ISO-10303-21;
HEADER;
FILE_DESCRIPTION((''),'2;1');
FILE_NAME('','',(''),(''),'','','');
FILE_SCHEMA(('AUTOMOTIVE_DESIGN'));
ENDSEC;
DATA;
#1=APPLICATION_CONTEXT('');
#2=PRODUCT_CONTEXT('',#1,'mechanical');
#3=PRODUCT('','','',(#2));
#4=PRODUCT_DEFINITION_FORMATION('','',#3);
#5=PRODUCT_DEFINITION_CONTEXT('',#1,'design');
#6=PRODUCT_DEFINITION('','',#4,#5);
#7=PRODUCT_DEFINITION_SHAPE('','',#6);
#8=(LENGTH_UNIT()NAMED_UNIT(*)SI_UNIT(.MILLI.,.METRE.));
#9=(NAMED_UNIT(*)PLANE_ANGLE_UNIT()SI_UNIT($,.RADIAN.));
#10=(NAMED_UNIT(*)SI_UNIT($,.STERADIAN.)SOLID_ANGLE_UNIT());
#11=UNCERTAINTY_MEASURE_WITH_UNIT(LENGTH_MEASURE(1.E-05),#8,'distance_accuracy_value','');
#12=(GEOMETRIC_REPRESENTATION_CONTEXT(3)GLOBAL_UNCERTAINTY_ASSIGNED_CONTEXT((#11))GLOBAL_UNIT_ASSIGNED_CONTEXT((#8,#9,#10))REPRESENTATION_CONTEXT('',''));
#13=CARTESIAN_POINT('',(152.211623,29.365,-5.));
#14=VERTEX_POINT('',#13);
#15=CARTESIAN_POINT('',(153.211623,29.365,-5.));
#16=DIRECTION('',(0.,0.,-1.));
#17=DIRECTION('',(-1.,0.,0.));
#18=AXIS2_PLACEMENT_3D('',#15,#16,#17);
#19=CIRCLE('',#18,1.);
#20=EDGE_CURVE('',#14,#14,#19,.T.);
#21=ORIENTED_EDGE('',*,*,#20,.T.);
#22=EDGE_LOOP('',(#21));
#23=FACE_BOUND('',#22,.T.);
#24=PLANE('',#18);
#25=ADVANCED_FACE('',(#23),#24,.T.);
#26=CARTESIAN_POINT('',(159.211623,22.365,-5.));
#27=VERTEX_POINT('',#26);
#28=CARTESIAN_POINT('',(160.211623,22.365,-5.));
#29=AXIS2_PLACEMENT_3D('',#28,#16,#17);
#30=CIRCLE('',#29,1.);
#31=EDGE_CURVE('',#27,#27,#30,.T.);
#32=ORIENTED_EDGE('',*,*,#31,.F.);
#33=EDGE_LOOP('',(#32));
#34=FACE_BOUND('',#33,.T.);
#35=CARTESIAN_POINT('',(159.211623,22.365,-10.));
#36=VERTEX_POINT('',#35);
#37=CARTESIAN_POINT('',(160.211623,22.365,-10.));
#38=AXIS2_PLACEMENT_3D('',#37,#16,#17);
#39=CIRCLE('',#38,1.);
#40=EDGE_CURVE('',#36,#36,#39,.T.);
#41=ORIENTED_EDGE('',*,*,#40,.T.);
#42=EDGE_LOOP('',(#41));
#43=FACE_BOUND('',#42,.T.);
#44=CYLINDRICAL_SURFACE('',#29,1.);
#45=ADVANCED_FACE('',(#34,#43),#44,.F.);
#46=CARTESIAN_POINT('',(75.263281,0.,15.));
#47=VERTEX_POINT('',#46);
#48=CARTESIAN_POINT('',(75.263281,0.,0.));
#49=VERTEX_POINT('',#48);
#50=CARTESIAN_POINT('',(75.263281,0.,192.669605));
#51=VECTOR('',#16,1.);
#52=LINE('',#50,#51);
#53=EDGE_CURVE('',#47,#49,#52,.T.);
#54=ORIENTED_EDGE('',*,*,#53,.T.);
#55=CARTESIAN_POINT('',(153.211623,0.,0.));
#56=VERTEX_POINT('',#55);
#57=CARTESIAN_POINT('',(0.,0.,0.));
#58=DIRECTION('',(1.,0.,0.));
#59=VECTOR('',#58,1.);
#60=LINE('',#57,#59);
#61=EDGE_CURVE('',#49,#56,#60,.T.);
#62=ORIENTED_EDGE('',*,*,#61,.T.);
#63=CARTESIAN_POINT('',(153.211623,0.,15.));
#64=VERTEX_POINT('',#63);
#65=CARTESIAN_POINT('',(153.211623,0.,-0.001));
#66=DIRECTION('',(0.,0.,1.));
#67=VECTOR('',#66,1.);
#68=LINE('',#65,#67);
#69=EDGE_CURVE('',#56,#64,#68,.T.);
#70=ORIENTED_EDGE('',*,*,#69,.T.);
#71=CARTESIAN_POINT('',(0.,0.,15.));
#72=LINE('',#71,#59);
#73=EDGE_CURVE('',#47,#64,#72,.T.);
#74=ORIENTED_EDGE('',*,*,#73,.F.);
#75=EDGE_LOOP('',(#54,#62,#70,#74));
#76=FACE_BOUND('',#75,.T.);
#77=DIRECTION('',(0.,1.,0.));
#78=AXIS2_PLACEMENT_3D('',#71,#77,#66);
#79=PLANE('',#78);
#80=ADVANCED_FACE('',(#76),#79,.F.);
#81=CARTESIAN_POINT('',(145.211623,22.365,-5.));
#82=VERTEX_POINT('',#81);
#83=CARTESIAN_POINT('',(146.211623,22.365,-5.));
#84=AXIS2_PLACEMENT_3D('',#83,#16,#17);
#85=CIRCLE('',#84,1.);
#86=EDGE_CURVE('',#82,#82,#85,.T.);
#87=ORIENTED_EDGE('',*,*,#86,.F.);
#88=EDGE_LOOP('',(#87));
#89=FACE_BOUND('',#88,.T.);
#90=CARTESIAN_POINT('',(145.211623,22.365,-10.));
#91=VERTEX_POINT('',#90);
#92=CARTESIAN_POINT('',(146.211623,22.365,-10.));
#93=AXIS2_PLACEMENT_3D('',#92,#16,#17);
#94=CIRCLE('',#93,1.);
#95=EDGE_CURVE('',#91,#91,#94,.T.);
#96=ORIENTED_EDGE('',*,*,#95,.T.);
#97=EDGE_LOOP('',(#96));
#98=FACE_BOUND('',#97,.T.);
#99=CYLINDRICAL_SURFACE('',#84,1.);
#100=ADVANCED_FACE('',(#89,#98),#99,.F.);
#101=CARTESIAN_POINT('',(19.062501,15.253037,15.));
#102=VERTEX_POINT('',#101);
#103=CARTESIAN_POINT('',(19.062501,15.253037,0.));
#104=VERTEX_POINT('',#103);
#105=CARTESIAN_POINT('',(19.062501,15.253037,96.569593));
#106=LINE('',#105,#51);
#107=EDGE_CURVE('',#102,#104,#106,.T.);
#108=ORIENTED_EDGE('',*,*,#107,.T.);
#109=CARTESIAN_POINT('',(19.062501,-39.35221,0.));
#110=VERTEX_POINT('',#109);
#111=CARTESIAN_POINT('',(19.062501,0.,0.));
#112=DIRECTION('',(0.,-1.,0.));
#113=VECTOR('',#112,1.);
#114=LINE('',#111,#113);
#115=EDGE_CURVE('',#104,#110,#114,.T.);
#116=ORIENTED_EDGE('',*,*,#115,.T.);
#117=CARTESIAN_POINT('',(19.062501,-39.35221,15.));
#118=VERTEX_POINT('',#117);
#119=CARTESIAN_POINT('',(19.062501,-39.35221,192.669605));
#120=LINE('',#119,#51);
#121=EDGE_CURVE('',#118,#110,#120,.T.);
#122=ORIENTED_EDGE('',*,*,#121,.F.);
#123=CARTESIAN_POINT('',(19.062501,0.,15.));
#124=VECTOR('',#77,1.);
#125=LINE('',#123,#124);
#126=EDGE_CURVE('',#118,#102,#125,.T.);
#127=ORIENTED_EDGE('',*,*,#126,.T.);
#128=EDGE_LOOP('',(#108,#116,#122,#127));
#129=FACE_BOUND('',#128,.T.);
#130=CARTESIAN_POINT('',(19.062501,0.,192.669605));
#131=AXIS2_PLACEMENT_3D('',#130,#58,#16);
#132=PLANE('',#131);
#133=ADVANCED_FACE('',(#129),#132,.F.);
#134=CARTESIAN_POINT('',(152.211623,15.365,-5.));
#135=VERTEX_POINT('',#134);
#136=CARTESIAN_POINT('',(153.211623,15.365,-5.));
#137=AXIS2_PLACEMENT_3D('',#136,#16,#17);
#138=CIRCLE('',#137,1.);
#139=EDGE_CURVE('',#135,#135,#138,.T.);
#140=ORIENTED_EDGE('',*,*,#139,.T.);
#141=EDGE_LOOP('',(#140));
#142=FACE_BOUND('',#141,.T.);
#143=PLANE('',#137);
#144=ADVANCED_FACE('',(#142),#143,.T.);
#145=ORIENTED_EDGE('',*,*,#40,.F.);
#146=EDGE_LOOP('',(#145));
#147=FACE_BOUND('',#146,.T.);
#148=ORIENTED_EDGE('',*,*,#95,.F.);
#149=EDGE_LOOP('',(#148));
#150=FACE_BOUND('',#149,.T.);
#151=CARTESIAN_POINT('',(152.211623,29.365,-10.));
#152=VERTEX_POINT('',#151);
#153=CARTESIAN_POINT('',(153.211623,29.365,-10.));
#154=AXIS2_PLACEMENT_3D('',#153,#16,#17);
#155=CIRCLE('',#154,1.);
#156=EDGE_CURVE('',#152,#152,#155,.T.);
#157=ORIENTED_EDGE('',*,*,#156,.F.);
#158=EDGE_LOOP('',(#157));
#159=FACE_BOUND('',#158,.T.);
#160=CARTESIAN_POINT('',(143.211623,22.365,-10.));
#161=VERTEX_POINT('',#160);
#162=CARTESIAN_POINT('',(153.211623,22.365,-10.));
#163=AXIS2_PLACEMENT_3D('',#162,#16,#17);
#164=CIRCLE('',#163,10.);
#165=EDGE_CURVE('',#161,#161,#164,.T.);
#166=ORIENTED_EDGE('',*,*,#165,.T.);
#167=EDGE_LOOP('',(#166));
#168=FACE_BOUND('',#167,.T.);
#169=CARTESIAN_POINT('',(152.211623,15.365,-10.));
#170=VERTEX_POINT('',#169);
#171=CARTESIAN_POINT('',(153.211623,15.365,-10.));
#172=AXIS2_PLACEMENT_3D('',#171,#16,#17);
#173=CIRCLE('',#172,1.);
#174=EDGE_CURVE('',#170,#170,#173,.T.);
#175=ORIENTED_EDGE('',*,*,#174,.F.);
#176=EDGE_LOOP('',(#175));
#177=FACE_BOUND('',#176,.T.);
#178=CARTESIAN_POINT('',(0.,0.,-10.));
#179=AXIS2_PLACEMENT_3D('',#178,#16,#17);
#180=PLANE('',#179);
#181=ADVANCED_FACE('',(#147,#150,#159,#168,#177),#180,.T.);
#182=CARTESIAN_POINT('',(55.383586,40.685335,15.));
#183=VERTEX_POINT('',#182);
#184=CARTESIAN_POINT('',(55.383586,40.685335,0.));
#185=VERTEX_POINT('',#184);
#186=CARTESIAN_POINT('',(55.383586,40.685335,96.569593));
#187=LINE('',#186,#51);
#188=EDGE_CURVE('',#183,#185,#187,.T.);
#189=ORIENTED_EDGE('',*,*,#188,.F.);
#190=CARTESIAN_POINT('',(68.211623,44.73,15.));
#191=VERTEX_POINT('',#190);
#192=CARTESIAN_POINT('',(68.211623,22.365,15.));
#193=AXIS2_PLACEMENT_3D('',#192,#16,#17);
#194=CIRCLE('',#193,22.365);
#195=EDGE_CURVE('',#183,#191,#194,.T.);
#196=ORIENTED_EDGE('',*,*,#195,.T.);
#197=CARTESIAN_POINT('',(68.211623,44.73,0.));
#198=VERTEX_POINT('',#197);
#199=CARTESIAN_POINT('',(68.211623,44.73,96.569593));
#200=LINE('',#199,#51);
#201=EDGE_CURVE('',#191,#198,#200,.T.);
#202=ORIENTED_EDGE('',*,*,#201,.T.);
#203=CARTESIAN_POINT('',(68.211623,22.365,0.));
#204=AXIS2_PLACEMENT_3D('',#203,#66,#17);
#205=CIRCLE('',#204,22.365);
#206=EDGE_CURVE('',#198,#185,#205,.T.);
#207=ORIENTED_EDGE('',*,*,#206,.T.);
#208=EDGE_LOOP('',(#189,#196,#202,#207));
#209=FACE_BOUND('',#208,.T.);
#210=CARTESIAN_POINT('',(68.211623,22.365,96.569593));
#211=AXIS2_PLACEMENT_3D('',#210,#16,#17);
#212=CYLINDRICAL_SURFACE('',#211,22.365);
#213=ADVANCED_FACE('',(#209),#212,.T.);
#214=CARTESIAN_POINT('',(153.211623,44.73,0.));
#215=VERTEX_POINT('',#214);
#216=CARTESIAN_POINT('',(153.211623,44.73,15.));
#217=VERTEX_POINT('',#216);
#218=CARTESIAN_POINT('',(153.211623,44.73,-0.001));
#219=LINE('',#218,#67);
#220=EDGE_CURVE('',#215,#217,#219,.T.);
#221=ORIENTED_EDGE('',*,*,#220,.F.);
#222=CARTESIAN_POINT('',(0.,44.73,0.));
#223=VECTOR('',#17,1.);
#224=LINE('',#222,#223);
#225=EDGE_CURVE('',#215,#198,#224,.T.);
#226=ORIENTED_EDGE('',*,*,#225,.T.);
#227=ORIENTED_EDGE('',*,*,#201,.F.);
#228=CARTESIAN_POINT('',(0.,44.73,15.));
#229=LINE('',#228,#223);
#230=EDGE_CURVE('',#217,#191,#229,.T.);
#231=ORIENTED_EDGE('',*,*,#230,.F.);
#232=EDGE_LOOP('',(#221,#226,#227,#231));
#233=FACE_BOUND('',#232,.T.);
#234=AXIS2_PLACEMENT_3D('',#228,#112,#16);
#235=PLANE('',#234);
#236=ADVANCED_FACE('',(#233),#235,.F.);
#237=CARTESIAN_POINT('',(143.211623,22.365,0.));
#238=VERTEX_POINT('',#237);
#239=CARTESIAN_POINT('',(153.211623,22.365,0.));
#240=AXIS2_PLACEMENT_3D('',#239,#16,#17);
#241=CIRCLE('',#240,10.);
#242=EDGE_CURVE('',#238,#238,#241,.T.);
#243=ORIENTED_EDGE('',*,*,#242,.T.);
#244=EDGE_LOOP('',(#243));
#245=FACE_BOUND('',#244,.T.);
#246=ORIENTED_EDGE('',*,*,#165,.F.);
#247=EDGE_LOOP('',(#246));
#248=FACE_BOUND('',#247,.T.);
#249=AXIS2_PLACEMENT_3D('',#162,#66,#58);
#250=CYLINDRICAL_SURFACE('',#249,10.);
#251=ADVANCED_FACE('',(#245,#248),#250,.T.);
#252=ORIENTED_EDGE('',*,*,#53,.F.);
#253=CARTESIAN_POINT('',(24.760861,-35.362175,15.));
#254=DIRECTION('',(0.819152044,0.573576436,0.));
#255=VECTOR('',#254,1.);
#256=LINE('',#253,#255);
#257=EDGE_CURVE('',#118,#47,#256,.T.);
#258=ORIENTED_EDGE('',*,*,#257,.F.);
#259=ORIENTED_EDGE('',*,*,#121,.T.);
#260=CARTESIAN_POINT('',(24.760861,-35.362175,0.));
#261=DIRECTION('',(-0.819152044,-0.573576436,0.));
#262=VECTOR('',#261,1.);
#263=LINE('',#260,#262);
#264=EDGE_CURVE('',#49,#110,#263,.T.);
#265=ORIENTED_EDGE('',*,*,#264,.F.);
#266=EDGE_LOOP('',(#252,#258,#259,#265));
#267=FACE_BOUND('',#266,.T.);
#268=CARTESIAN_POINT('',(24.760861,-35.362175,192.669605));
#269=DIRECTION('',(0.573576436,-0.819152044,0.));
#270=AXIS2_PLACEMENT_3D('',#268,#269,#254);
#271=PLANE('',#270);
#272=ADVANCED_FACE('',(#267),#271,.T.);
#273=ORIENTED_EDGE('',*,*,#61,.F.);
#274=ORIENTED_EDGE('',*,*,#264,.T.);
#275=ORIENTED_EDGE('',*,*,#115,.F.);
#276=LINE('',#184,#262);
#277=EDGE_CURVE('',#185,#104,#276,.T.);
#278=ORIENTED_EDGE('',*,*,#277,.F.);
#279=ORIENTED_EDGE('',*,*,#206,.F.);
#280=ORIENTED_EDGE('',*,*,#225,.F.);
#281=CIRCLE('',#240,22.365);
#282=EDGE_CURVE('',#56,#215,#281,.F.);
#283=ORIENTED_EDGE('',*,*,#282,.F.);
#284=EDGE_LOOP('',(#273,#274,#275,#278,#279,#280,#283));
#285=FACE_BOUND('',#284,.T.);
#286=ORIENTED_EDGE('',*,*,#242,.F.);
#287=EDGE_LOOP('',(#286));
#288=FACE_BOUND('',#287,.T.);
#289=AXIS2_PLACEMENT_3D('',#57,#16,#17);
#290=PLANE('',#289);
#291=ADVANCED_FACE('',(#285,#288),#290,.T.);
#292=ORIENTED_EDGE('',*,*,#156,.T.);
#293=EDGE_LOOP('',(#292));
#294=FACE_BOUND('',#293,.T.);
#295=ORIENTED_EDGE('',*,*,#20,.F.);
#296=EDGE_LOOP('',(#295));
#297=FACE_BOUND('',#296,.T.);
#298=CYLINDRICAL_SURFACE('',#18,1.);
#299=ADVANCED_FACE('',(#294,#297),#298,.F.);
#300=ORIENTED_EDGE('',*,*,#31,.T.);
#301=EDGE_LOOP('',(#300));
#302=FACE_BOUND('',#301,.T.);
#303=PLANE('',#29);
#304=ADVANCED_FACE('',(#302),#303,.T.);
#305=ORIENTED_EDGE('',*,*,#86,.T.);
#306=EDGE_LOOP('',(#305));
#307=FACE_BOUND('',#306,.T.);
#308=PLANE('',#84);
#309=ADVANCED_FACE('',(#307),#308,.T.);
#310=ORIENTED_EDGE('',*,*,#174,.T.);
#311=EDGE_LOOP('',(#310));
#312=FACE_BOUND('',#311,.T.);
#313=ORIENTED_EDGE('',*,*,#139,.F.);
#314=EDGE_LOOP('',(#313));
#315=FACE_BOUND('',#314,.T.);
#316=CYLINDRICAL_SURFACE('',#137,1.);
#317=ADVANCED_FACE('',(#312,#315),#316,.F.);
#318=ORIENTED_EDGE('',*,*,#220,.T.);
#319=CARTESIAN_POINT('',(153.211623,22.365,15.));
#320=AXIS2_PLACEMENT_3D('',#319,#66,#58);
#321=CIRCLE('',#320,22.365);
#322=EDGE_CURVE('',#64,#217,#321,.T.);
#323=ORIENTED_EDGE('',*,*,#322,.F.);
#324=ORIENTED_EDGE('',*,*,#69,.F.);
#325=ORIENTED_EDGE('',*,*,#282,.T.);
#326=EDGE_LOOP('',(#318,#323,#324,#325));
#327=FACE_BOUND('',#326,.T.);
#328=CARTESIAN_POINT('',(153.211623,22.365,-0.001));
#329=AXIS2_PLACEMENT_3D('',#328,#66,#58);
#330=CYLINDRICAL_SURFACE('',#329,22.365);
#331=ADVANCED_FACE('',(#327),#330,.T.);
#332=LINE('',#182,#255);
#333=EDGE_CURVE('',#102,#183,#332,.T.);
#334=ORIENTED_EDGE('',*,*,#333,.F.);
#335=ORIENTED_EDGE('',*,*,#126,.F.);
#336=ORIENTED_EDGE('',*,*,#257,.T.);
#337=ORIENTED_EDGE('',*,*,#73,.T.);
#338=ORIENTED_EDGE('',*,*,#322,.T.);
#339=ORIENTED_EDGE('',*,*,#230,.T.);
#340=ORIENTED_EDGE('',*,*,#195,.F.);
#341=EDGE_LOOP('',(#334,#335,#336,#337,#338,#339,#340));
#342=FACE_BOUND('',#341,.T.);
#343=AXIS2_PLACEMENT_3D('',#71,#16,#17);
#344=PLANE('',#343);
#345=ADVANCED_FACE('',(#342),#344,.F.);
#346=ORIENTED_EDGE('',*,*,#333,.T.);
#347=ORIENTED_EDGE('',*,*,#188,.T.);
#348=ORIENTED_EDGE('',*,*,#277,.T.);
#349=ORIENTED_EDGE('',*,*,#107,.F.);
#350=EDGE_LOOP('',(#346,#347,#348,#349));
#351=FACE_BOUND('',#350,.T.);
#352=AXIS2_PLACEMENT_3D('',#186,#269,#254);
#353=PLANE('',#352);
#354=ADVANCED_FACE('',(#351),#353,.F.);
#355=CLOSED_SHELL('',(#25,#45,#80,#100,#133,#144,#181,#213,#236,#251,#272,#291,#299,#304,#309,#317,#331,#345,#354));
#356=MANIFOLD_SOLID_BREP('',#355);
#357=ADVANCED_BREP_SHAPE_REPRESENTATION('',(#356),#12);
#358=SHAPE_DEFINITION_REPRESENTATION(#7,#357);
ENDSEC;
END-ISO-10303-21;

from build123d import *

# Parameters (mm, degrees)
SKETCH_1_W          = 300
SKETCH_1_H          = 44.73
EXTRUDE_1_DEPTH     = 15
CUT_EXTRUDE_4_REACH = 305.687
SKETCH_6_R          = 10
EXTRUDE_2_DEPTH     = 10
SKETCH_7_R          = 1
CUT_EXTRUDE_6_DEPTH = 5
EXTRUDE_START       = 15
EXTRUDE_5_DEPTH     = 15
CUT_EXTRUDE_7_DEPTH = 15


with BuildPart() as part:
    # 草图1 → 凸台-拉伸1 (new body)
    with BuildSketch(Plane.XY):
        with Locations((150, 22.365)):
            Rectangle(SKETCH_1_W, SKETCH_1_H)
    extrude(amount=EXTRUDE_1_DEPTH)

    # 草图4 → 切除-拉伸4 (cut, up to next)
    with BuildSketch(Plane.XY.offset(15), mode=Mode.PRIVATE) as cut_extrude_4_sk1:
        with BuildLine():
            Line((300, 44.73), (153.211623388, 44.73))
            ThreePointArc((153.211623388, 44.73), (175.576623388, 22.365), (153.211623388, 0))
            Line((153.211623388, 0), (300, 0))
            Line((300, 0), (300, 44.73))
        make_face()
    cut_extrude_4_tool1 = extrude(cut_extrude_4_sk1.sketch, amount=-CUT_EXTRUDE_4_REACH, mode=Mode.PRIVATE) & part.part
    add(cut_extrude_4_tool1.solids().sort_by_distance((235.292113, 22.365, 15))[0], mode=Mode.SUBTRACT)

    # 草图6 → 凸台-拉伸2 (add)
    with BuildSketch(Plane(origin=(0, 0, 0), x_dir=(-1, 0, 0), z_dir=(0, 0, -1))):
        with Locations((-153.211623388, 22.365)):
            Circle(SKETCH_6_R)
    extrude(amount=EXTRUDE_2_DEPTH)

    # 草图7 → 切除-拉伸6 (cut)
    with BuildSketch(Plane(origin=(0, 0, -10), x_dir=(-1, 0, 0), z_dir=(0, 0, -1))):
        with Locations((-153.211623388, 29.365)):
            Circle(SKETCH_7_R)
        with Locations((-146.211623388, 22.365)):
            Circle(SKETCH_7_R)
        with Locations((-153.211623388, 15.365)):
            Circle(SKETCH_7_R)
        with Locations((-160.211623388, 22.365)):
            Circle(SKETCH_7_R)
    extrude(amount=-CUT_EXTRUDE_6_DEPTH, mode=Mode.SUBTRACT)

    # 草图9 → 凸台-拉伸5 (add)
    # profile 1 of 8: a face of its own
    with BuildSketch(Plane.XY.offset(EXTRUDE_START)):
        with BuildLine():
            ThreePointArc((49.891287917, 9.536963001), (46.186397992, 26.248641494), (55.383586389, 40.685335471))
            Line((55.383586389, 40.685335471), (19.062500731, 15.253037497))
            Line((19.062500731, 15.253037497), (19.062500731, -12.049586181))
            Line((19.062500731, -12.049586181), (49.891287917, 9.536963001))
        make_face()
    # profile 2 of 8: a face of its own
    with BuildSketch(Plane.XY.offset(EXTRUDE_START)):
        with BuildLine():
            ThreePointArc((68.211623388, 0), (57.884615653, 2.527002716), (49.891287917, 9.536963001))
            Line((49.891287917, 9.536963001), (19.062500731, -12.049586181))
            Line((19.062500731, -12.049586181), (19.062500731, -39.352209859))
            Line((19.062500731, -39.352209859), (75.263280801, 0))
            Line((75.263280801, 0), (68.211623388, 0))
        make_face()
    # profile 3 of 8: a face of its own
    with BuildSketch(Plane.XY.offset(EXTRUDE_START)):
        with BuildLine():
            ThreePointArc((90.576623388, 22.365), (84.026066549, 38.179443161), (68.211623388, 44.73))
            ThreePointArc((68.211623388, 44.73), (61.486338182, 43.694879603), (55.383586389, 40.685335471))
            ThreePointArc((55.383586389, 40.685335471), (46.186397992, 26.248641494), (49.891287917, 9.536963001))
            Line((49.891287917, 9.536963001), (68.211623388, 22.365))
            Line((68.211623388, 22.365), (90.576623388, 22.365))
        make_face()
    # profile 4 of 8: a face of its own
    with BuildSketch(Plane.XY.offset(EXTRUDE_START)):
        with BuildLine():
            ThreePointArc((81.039660387, 4.044664529), (88.049620672, 12.037992265), (90.576623388, 22.365))
            Line((90.576623388, 22.365), (68.211623388, 22.365))
            Line((68.211623388, 22.365), (49.891287917, 9.536963001))
            ThreePointArc((49.891287917, 9.536963001), (57.884615653, 2.527002716), (68.211623388, 0))
            ThreePointArc((68.211623388, 0), (74.936908594, 1.035120397), (81.039660387, 4.044664529))
        make_face()
    # profile 5 of 8: a face of its own
    with BuildSketch(Plane.XY.offset(EXTRUDE_START)):
        with BuildLine():
            ThreePointArc((153.211623388, 0), (137.397180227, 6.550556839), (130.846623388, 22.365))
            Line((130.846623388, 22.365), (90.576623388, 22.365))
            ThreePointArc((90.576623388, 22.365), (88.049620672, 12.037992265), (81.039660387, 4.044664529))
            Line((81.039660387, 4.044664529), (75.263280801, 0))
            Line((75.263280801, 0), (153.211623388, 0))
        make_face()
    # profile 6 of 8: a face of its own
    with BuildSketch(Plane.XY.offset(EXTRUDE_START)):
        with BuildLine():
            ThreePointArc((130.846623388, 22.365), (137.397180227, 38.179443161), (153.211623388, 44.73))
            Line((153.211623388, 44.73), (68.211623388, 44.73))
            ThreePointArc((68.211623388, 44.73), (84.026066549, 38.179443161), (90.576623388, 22.365))
            Line((90.576623388, 22.365), (130.846623388, 22.365))
        make_face()
    # profile 7 of 8: a face of its own
    with BuildSketch(Plane.XY.offset(EXTRUDE_START)):
        with BuildLine():
            ThreePointArc((175.576623388, 22.365), (169.026066549, 38.179443161), (153.211623388, 44.73))
            ThreePointArc((153.211623388, 44.73), (137.397180227, 38.179443161), (130.846623388, 22.365))
            ThreePointArc((130.846623388, 22.365), (137.397180227, 6.550556839), (153.211623388, 0))
            ThreePointArc((153.211623388, 0), (169.026066549, 6.550556839), (175.576623388, 22.365))
        make_face()
        with BuildLine():
            ThreePointArc((163.211623388, 22.365), (153.211623388, 12.365), (143.211623388, 22.365))
            ThreePointArc((143.211623388, 22.365), (153.211623388, 32.365), (163.211623388, 22.365))
        make_face(mode=Mode.SUBTRACT)
    # profile 8 of 8: a face of its own
    with BuildSketch(Plane.XY.offset(EXTRUDE_START)):
        with BuildLine():
            Line((75.263280801, 0), (81.039660387, 4.044664529))
            ThreePointArc((81.039660387, 4.044664529), (74.936908594, 1.035120397), (68.211623388, 0))
            Line((68.211623388, 0), (75.263280801, 0))
        make_face()
    extrude(amount=-EXTRUDE_5_DEPTH)

    # 草图10 → 切除-拉伸7 (cut)
    with BuildSketch(Plane(origin=(0, 0, 0), x_dir=(-1, 0, 0), z_dir=(0, 0, -1))):
        with BuildLine():
            Line((-19.062500731, 15.253037497), (-19.062500731, 0))
            Line((-19.062500731, 0), (0, 0))
            Line((0, 0), (0, 44.73))
            Line((0, 44.73), (-68.211623388, 44.73))
            ThreePointArc((-68.211623388, 44.73), (-61.486338182, 43.694879603), (-55.383586389, 40.685335471))
            Line((-55.383586389, 40.685335471), (-19.062500731, 15.253037497))
        make_face()
    extrude(amount=-CUT_EXTRUDE_7_DEPTH, mode=Mode.SUBTRACT)


solid = part.part
